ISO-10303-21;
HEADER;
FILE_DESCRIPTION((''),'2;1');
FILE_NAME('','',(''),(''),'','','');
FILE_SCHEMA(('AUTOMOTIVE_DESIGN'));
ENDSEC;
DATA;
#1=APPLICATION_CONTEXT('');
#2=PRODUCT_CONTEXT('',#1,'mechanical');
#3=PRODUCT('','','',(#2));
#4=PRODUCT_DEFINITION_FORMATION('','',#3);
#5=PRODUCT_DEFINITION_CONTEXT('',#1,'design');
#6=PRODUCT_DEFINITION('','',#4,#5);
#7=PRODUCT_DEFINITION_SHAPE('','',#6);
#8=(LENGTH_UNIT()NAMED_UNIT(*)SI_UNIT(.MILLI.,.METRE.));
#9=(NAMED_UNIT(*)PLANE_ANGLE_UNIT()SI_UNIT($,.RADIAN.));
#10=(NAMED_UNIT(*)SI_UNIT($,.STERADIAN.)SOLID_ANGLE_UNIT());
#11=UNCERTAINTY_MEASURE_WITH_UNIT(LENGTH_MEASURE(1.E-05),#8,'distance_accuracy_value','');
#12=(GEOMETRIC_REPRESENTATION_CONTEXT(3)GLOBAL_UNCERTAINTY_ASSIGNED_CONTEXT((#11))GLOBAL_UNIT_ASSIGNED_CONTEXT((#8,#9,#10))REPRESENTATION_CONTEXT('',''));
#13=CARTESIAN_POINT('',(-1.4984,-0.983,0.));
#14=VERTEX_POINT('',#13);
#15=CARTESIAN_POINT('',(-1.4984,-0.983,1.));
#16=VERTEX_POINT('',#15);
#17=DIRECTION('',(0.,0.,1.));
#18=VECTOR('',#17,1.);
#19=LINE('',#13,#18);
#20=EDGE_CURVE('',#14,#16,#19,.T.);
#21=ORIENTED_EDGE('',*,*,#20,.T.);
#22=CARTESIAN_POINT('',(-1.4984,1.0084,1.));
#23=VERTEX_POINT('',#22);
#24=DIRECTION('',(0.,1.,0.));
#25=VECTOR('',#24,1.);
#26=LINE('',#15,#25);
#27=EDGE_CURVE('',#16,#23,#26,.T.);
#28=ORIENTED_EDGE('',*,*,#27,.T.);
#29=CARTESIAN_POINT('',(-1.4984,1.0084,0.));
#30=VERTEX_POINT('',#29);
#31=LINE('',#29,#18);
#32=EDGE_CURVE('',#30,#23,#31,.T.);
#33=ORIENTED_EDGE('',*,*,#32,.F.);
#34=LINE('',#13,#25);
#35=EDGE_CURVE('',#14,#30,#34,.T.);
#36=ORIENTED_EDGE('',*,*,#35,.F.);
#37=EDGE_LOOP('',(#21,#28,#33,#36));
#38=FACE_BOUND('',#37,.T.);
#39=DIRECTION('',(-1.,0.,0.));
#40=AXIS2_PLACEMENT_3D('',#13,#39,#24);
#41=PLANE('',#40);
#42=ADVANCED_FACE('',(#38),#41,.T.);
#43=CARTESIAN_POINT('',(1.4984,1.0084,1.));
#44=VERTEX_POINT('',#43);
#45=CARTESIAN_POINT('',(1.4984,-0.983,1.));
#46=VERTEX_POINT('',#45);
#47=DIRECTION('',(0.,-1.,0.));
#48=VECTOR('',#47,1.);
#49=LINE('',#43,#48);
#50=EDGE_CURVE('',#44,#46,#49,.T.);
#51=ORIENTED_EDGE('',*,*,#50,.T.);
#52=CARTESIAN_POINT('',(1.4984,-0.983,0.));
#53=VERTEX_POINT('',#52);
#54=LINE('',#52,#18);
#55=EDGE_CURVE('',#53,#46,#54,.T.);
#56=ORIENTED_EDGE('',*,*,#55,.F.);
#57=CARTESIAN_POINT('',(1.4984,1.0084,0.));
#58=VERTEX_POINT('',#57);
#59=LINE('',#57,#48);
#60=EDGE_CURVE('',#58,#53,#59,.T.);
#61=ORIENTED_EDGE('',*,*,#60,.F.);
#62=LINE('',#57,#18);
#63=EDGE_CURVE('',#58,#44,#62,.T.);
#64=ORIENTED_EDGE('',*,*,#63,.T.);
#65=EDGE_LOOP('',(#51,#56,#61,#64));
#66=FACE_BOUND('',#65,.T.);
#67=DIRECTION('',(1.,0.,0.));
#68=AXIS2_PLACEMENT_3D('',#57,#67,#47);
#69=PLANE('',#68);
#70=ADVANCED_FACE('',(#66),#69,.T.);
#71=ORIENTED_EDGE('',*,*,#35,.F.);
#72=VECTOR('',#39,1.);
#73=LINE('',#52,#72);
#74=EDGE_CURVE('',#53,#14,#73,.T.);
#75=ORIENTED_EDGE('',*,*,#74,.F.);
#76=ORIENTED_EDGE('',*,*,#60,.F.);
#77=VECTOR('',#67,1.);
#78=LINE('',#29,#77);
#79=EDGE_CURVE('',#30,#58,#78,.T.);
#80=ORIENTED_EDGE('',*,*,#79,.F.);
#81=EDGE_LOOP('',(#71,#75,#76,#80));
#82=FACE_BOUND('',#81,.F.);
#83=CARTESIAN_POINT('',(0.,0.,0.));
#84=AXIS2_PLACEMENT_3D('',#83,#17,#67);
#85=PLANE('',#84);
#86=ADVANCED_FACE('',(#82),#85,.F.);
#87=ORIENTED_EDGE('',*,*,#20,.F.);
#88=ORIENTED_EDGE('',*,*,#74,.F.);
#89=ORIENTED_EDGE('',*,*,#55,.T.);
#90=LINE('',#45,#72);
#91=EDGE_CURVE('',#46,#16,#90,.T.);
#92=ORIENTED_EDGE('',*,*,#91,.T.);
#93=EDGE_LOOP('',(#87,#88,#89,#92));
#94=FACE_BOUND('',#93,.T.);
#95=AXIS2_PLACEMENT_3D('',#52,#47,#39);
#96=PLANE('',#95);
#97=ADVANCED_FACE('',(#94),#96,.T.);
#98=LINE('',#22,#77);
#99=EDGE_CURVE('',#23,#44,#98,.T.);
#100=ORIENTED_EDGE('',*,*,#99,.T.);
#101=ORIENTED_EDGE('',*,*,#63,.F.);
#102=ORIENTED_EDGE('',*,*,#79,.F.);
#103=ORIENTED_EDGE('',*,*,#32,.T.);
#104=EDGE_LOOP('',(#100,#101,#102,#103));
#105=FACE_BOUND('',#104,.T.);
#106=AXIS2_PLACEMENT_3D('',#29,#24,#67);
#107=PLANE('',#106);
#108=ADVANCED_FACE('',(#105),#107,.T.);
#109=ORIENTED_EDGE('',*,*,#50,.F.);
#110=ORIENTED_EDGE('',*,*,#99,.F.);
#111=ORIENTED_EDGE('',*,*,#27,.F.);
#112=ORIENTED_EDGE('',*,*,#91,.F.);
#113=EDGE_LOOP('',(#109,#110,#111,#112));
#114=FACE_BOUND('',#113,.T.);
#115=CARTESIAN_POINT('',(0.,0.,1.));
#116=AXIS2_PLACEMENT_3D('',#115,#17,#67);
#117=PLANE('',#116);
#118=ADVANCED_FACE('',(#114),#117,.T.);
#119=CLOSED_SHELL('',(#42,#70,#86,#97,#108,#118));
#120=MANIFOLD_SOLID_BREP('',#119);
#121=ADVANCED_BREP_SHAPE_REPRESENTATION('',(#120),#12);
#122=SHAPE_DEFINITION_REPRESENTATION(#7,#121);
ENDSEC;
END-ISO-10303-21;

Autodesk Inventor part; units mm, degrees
ref_plane "YZ Plane" through (0, 0, 0) normal (1, 0, 0) x (0, 1, 0)
ref_plane "XZ Plane" through (0, 0, 0) normal (0, 1, 0) x (-1, 0, 0)
ref_plane "XY Plane" through (0, 0, 0) normal (0, 0, 1) x (1, 0, 0)
sketch "0603-CAP, 4_7UF_10" plane through (0, 0, 0) normal (0, 0, 1) x (1, 0, 0)
  line L0 (-1.4984, 1.0084) -> (1.4984, 1.0084)
  line L1 (1.4984, 1.0084) -> (1.4984, -0.983)
  line L2 (1.4984, -0.983) -> (-1.4984, -0.983)
  line L3 (-1.4984, -0.983) -> (-1.4984, 1.0084)
extrude "Extrusion1" add sketch "0603-CAP, 4_7UF_10" along normal blind 1
properties part number "4_7UF"
